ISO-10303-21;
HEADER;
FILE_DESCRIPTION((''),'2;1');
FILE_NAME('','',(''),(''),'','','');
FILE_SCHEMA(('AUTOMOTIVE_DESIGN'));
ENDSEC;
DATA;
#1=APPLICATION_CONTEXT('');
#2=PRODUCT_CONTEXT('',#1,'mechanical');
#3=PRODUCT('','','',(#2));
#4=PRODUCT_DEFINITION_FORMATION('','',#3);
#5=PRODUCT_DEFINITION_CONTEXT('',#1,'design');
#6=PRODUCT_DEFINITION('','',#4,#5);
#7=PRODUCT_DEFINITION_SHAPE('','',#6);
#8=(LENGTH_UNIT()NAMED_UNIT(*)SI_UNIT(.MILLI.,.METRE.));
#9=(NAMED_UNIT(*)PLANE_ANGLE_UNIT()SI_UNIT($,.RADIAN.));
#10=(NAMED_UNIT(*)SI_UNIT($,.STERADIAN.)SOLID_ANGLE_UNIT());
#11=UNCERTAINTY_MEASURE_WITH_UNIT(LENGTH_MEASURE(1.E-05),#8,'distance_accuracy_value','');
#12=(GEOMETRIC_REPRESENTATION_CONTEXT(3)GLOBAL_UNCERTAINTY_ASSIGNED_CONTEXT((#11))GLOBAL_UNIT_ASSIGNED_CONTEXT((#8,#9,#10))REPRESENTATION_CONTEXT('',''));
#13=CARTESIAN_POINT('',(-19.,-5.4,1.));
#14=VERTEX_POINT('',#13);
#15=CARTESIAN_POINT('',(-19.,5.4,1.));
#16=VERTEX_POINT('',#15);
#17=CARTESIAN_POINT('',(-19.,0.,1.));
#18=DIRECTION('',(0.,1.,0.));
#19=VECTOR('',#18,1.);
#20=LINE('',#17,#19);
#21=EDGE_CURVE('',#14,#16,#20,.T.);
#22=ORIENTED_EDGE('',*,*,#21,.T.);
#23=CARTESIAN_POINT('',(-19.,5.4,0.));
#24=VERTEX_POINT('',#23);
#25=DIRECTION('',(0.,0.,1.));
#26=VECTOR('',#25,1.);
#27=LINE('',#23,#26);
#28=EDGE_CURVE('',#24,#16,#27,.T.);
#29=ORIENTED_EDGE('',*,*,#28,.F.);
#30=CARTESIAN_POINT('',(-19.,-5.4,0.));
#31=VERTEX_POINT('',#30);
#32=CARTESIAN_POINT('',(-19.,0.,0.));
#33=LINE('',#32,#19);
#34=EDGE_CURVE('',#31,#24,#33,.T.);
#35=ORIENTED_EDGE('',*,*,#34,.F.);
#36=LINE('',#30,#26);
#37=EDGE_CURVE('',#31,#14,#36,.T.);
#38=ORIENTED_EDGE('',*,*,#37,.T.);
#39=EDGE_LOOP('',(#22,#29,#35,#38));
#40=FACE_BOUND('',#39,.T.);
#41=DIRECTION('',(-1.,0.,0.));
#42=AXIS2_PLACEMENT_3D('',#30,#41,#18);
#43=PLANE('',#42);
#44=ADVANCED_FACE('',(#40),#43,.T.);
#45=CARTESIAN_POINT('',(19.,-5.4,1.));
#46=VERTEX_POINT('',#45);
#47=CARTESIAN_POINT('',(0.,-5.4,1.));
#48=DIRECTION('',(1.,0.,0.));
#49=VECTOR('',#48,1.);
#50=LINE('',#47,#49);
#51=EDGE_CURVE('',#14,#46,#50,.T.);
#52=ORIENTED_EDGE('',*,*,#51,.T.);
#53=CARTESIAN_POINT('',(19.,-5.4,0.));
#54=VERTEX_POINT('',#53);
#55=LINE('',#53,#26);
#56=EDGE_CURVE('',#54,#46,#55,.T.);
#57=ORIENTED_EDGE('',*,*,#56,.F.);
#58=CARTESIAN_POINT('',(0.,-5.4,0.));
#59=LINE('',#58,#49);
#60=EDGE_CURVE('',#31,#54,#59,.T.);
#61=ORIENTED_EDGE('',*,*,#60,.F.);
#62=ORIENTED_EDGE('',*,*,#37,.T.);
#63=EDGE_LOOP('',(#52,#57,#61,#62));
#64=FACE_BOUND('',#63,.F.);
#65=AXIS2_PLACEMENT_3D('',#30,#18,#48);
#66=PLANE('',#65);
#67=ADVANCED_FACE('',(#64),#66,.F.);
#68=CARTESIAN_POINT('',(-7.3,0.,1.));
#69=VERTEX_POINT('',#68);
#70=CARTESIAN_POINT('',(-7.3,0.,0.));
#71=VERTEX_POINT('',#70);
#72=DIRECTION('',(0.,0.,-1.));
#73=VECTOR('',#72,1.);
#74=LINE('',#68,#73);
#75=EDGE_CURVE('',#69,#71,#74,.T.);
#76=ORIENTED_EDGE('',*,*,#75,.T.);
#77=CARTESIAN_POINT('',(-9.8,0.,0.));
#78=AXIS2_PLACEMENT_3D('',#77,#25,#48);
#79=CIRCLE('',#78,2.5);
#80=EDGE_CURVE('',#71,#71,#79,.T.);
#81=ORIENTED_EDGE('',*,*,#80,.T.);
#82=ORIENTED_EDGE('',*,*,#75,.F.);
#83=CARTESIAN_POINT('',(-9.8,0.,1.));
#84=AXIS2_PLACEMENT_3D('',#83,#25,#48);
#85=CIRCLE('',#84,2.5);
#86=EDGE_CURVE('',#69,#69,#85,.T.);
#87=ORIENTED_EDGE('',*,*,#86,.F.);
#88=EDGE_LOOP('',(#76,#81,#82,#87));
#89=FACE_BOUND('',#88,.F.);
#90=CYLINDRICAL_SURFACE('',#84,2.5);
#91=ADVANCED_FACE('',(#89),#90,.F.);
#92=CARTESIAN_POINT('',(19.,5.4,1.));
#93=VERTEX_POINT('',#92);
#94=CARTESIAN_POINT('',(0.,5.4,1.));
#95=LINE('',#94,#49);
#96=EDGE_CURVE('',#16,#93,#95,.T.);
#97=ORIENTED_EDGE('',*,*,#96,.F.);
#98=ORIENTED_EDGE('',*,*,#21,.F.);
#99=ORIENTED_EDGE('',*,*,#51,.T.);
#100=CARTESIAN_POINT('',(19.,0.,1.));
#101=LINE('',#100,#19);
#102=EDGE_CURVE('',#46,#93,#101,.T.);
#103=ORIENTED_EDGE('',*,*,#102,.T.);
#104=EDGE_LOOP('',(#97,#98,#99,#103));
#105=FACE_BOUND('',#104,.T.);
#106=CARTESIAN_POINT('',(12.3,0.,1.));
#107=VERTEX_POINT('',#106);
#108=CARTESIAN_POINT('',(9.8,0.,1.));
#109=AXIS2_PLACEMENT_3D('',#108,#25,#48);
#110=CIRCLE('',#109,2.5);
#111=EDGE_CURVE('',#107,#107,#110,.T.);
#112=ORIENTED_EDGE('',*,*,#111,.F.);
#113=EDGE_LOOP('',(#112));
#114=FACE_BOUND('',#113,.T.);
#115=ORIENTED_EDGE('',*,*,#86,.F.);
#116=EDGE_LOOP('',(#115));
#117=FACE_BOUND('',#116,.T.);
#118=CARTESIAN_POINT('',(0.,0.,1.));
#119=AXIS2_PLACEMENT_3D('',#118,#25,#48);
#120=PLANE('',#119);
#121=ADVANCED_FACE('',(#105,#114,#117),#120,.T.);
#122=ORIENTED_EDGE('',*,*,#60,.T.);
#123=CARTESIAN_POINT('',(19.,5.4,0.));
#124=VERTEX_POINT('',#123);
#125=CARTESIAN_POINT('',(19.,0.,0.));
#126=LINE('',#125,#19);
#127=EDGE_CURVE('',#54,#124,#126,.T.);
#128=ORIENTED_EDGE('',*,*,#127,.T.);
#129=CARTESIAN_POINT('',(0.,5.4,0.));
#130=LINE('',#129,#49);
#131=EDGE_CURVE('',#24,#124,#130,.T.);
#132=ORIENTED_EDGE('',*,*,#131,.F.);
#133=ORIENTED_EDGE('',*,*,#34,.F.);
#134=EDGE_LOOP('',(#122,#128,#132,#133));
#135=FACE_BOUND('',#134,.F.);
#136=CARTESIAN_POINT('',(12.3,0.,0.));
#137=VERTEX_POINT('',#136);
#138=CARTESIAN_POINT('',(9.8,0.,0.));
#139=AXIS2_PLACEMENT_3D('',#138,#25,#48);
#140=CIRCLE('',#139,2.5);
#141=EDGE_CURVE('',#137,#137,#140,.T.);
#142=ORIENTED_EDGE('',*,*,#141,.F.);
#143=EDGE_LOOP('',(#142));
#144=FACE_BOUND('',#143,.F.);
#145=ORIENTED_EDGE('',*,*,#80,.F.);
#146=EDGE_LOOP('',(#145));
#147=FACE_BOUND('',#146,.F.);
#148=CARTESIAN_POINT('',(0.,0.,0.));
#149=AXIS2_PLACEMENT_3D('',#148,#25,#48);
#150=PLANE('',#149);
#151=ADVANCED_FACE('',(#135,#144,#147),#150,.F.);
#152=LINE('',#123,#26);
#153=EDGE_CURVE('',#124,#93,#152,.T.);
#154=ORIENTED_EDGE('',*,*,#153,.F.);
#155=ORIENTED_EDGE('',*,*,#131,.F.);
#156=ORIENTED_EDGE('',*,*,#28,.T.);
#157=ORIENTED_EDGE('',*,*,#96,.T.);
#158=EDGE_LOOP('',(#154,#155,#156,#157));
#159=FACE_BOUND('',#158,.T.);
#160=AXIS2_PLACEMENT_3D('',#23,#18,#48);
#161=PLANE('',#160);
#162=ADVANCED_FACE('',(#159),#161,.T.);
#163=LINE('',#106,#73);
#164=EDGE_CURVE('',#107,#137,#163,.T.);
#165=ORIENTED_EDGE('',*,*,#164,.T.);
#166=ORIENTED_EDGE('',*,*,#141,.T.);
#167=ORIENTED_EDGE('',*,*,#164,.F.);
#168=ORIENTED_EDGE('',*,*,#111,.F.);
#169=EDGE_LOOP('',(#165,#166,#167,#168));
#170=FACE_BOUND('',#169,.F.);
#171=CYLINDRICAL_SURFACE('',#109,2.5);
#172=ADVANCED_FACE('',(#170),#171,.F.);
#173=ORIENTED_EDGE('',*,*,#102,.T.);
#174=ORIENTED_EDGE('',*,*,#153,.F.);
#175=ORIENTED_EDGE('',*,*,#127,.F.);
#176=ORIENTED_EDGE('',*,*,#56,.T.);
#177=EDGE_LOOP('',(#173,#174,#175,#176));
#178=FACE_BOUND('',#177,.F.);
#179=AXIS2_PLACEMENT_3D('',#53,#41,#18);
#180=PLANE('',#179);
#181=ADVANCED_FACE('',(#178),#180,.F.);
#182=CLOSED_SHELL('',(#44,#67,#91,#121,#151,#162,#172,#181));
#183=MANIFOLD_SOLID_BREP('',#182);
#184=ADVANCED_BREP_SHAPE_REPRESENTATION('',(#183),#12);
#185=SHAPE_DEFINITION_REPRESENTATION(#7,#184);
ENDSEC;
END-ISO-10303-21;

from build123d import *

# Parameters (mm, degrees)
SKETCH_W     = 38
SKETCH_H     = 10.8
PAD_DEPTH    = 1
SKETCH001_R  = 2.5
POCKET_DEPTH = 5


with BuildPart() as part:
    # Sketch (on XY_Plane of Origin) → Pad (new body)
    with BuildSketch(Plane.XY):
        Rectangle(SKETCH_W, SKETCH_H)
    extrude(amount=PAD_DEPTH)

    # Sketch001 (on Face6 of Pad) → Pocket (cut)
    with BuildSketch(Plane.XY.offset(1)):
        with Locations((-9.8, 0)):
            Circle(SKETCH001_R)
        with Locations((9.8, 0)):
            Circle(SKETCH001_R)
    extrude(amount=-POCKET_DEPTH, mode=Mode.SUBTRACT)


solid = part.part
